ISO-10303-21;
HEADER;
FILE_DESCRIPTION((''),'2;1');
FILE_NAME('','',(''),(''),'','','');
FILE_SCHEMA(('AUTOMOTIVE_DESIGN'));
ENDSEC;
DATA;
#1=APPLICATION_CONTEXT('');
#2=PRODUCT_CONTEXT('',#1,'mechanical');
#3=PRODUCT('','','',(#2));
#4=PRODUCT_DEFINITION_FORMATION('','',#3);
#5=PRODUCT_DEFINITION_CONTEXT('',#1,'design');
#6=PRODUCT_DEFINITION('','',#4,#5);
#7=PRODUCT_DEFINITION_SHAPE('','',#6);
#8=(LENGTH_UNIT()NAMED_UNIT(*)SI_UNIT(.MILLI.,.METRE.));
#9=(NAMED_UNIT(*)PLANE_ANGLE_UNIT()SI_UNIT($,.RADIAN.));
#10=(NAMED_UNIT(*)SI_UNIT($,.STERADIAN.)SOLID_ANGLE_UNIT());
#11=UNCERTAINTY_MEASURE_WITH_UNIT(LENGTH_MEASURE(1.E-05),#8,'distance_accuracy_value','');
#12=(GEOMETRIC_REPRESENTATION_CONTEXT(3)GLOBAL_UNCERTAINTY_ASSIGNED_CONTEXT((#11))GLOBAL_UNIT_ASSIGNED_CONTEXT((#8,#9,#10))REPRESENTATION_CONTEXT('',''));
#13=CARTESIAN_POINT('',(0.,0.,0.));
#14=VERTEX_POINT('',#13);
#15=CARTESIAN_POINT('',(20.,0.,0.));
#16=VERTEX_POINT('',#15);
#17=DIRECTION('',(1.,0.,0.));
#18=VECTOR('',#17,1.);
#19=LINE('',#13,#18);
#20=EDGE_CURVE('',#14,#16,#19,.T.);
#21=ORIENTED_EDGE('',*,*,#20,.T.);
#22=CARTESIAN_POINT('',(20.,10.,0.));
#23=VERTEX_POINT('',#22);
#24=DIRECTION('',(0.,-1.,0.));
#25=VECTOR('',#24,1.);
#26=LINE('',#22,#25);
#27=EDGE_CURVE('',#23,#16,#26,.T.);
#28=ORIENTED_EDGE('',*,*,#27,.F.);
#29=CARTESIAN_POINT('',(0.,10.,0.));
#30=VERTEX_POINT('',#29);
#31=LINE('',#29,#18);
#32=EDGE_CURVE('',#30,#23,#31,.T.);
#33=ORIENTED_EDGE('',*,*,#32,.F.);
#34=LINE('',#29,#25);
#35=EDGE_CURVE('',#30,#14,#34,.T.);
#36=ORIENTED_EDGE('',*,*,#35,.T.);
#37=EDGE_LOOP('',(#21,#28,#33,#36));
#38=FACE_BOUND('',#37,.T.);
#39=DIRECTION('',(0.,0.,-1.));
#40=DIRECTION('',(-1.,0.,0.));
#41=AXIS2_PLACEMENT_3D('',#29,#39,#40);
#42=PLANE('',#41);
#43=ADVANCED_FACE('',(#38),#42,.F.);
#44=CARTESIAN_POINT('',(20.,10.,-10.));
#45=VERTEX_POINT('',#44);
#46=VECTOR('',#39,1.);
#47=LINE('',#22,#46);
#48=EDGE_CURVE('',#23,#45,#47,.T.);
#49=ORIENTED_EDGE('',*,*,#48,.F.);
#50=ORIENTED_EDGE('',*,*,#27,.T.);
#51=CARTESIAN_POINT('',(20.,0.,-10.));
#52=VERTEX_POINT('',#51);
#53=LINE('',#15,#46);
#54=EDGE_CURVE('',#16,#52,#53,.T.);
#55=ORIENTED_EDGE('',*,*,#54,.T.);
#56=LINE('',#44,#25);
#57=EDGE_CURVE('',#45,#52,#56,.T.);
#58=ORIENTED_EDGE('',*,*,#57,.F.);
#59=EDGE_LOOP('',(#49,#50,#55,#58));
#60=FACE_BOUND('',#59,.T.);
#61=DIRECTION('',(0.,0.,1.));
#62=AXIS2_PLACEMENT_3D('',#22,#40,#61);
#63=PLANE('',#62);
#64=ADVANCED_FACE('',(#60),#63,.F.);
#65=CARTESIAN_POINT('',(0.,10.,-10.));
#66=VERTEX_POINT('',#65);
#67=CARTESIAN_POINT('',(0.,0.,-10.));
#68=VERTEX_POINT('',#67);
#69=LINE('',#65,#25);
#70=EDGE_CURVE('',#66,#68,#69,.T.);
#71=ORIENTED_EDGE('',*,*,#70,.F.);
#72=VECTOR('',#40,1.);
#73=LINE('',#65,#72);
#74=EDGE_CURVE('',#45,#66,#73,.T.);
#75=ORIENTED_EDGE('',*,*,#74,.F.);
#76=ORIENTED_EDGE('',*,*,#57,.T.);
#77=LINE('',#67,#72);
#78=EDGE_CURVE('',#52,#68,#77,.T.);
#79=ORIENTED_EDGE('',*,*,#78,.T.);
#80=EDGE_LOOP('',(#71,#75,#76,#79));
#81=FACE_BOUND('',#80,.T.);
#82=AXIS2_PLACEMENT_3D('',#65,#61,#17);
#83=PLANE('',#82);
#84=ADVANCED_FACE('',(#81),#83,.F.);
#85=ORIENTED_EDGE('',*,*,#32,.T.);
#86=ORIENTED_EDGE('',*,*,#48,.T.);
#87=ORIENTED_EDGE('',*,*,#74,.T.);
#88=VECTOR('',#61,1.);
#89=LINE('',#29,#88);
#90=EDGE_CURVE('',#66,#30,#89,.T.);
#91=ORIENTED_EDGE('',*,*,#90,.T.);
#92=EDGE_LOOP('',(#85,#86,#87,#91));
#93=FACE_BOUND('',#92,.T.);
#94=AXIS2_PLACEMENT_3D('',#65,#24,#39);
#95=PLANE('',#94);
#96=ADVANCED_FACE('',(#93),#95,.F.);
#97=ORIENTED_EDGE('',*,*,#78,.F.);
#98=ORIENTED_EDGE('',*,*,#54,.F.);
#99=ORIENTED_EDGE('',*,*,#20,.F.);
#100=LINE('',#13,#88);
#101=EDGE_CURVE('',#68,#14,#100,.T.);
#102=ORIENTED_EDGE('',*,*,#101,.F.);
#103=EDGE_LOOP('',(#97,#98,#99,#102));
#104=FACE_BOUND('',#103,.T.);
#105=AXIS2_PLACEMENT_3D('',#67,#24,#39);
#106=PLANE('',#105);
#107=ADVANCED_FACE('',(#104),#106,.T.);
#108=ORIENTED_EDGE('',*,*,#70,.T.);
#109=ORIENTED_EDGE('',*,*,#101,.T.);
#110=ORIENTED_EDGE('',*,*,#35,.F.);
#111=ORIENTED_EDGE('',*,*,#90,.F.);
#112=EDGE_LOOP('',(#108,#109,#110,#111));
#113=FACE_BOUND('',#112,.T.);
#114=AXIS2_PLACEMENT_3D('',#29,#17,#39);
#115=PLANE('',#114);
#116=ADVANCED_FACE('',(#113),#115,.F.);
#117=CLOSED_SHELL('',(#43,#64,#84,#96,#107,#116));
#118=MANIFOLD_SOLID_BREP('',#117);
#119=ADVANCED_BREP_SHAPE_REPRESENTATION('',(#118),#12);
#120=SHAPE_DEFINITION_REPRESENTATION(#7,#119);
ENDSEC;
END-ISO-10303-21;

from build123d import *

# Parameters (mm, degrees)
SKETCH1_W      = 20
SKETCH1_H      = 10
EXTRUDE1_DEPTH = 10


with BuildPart() as part:
    # Sketch1 → Extrude1 (new body)
    with BuildSketch(Plane(origin=(0, 0, 0), x_dir=(1, 0, 0), z_dir=(0, 1, 0))):
        with Locations((10, 5)):
            Rectangle(SKETCH1_W, SKETCH1_H)
    extrude(amount=EXTRUDE1_DEPTH)


solid = part.part
